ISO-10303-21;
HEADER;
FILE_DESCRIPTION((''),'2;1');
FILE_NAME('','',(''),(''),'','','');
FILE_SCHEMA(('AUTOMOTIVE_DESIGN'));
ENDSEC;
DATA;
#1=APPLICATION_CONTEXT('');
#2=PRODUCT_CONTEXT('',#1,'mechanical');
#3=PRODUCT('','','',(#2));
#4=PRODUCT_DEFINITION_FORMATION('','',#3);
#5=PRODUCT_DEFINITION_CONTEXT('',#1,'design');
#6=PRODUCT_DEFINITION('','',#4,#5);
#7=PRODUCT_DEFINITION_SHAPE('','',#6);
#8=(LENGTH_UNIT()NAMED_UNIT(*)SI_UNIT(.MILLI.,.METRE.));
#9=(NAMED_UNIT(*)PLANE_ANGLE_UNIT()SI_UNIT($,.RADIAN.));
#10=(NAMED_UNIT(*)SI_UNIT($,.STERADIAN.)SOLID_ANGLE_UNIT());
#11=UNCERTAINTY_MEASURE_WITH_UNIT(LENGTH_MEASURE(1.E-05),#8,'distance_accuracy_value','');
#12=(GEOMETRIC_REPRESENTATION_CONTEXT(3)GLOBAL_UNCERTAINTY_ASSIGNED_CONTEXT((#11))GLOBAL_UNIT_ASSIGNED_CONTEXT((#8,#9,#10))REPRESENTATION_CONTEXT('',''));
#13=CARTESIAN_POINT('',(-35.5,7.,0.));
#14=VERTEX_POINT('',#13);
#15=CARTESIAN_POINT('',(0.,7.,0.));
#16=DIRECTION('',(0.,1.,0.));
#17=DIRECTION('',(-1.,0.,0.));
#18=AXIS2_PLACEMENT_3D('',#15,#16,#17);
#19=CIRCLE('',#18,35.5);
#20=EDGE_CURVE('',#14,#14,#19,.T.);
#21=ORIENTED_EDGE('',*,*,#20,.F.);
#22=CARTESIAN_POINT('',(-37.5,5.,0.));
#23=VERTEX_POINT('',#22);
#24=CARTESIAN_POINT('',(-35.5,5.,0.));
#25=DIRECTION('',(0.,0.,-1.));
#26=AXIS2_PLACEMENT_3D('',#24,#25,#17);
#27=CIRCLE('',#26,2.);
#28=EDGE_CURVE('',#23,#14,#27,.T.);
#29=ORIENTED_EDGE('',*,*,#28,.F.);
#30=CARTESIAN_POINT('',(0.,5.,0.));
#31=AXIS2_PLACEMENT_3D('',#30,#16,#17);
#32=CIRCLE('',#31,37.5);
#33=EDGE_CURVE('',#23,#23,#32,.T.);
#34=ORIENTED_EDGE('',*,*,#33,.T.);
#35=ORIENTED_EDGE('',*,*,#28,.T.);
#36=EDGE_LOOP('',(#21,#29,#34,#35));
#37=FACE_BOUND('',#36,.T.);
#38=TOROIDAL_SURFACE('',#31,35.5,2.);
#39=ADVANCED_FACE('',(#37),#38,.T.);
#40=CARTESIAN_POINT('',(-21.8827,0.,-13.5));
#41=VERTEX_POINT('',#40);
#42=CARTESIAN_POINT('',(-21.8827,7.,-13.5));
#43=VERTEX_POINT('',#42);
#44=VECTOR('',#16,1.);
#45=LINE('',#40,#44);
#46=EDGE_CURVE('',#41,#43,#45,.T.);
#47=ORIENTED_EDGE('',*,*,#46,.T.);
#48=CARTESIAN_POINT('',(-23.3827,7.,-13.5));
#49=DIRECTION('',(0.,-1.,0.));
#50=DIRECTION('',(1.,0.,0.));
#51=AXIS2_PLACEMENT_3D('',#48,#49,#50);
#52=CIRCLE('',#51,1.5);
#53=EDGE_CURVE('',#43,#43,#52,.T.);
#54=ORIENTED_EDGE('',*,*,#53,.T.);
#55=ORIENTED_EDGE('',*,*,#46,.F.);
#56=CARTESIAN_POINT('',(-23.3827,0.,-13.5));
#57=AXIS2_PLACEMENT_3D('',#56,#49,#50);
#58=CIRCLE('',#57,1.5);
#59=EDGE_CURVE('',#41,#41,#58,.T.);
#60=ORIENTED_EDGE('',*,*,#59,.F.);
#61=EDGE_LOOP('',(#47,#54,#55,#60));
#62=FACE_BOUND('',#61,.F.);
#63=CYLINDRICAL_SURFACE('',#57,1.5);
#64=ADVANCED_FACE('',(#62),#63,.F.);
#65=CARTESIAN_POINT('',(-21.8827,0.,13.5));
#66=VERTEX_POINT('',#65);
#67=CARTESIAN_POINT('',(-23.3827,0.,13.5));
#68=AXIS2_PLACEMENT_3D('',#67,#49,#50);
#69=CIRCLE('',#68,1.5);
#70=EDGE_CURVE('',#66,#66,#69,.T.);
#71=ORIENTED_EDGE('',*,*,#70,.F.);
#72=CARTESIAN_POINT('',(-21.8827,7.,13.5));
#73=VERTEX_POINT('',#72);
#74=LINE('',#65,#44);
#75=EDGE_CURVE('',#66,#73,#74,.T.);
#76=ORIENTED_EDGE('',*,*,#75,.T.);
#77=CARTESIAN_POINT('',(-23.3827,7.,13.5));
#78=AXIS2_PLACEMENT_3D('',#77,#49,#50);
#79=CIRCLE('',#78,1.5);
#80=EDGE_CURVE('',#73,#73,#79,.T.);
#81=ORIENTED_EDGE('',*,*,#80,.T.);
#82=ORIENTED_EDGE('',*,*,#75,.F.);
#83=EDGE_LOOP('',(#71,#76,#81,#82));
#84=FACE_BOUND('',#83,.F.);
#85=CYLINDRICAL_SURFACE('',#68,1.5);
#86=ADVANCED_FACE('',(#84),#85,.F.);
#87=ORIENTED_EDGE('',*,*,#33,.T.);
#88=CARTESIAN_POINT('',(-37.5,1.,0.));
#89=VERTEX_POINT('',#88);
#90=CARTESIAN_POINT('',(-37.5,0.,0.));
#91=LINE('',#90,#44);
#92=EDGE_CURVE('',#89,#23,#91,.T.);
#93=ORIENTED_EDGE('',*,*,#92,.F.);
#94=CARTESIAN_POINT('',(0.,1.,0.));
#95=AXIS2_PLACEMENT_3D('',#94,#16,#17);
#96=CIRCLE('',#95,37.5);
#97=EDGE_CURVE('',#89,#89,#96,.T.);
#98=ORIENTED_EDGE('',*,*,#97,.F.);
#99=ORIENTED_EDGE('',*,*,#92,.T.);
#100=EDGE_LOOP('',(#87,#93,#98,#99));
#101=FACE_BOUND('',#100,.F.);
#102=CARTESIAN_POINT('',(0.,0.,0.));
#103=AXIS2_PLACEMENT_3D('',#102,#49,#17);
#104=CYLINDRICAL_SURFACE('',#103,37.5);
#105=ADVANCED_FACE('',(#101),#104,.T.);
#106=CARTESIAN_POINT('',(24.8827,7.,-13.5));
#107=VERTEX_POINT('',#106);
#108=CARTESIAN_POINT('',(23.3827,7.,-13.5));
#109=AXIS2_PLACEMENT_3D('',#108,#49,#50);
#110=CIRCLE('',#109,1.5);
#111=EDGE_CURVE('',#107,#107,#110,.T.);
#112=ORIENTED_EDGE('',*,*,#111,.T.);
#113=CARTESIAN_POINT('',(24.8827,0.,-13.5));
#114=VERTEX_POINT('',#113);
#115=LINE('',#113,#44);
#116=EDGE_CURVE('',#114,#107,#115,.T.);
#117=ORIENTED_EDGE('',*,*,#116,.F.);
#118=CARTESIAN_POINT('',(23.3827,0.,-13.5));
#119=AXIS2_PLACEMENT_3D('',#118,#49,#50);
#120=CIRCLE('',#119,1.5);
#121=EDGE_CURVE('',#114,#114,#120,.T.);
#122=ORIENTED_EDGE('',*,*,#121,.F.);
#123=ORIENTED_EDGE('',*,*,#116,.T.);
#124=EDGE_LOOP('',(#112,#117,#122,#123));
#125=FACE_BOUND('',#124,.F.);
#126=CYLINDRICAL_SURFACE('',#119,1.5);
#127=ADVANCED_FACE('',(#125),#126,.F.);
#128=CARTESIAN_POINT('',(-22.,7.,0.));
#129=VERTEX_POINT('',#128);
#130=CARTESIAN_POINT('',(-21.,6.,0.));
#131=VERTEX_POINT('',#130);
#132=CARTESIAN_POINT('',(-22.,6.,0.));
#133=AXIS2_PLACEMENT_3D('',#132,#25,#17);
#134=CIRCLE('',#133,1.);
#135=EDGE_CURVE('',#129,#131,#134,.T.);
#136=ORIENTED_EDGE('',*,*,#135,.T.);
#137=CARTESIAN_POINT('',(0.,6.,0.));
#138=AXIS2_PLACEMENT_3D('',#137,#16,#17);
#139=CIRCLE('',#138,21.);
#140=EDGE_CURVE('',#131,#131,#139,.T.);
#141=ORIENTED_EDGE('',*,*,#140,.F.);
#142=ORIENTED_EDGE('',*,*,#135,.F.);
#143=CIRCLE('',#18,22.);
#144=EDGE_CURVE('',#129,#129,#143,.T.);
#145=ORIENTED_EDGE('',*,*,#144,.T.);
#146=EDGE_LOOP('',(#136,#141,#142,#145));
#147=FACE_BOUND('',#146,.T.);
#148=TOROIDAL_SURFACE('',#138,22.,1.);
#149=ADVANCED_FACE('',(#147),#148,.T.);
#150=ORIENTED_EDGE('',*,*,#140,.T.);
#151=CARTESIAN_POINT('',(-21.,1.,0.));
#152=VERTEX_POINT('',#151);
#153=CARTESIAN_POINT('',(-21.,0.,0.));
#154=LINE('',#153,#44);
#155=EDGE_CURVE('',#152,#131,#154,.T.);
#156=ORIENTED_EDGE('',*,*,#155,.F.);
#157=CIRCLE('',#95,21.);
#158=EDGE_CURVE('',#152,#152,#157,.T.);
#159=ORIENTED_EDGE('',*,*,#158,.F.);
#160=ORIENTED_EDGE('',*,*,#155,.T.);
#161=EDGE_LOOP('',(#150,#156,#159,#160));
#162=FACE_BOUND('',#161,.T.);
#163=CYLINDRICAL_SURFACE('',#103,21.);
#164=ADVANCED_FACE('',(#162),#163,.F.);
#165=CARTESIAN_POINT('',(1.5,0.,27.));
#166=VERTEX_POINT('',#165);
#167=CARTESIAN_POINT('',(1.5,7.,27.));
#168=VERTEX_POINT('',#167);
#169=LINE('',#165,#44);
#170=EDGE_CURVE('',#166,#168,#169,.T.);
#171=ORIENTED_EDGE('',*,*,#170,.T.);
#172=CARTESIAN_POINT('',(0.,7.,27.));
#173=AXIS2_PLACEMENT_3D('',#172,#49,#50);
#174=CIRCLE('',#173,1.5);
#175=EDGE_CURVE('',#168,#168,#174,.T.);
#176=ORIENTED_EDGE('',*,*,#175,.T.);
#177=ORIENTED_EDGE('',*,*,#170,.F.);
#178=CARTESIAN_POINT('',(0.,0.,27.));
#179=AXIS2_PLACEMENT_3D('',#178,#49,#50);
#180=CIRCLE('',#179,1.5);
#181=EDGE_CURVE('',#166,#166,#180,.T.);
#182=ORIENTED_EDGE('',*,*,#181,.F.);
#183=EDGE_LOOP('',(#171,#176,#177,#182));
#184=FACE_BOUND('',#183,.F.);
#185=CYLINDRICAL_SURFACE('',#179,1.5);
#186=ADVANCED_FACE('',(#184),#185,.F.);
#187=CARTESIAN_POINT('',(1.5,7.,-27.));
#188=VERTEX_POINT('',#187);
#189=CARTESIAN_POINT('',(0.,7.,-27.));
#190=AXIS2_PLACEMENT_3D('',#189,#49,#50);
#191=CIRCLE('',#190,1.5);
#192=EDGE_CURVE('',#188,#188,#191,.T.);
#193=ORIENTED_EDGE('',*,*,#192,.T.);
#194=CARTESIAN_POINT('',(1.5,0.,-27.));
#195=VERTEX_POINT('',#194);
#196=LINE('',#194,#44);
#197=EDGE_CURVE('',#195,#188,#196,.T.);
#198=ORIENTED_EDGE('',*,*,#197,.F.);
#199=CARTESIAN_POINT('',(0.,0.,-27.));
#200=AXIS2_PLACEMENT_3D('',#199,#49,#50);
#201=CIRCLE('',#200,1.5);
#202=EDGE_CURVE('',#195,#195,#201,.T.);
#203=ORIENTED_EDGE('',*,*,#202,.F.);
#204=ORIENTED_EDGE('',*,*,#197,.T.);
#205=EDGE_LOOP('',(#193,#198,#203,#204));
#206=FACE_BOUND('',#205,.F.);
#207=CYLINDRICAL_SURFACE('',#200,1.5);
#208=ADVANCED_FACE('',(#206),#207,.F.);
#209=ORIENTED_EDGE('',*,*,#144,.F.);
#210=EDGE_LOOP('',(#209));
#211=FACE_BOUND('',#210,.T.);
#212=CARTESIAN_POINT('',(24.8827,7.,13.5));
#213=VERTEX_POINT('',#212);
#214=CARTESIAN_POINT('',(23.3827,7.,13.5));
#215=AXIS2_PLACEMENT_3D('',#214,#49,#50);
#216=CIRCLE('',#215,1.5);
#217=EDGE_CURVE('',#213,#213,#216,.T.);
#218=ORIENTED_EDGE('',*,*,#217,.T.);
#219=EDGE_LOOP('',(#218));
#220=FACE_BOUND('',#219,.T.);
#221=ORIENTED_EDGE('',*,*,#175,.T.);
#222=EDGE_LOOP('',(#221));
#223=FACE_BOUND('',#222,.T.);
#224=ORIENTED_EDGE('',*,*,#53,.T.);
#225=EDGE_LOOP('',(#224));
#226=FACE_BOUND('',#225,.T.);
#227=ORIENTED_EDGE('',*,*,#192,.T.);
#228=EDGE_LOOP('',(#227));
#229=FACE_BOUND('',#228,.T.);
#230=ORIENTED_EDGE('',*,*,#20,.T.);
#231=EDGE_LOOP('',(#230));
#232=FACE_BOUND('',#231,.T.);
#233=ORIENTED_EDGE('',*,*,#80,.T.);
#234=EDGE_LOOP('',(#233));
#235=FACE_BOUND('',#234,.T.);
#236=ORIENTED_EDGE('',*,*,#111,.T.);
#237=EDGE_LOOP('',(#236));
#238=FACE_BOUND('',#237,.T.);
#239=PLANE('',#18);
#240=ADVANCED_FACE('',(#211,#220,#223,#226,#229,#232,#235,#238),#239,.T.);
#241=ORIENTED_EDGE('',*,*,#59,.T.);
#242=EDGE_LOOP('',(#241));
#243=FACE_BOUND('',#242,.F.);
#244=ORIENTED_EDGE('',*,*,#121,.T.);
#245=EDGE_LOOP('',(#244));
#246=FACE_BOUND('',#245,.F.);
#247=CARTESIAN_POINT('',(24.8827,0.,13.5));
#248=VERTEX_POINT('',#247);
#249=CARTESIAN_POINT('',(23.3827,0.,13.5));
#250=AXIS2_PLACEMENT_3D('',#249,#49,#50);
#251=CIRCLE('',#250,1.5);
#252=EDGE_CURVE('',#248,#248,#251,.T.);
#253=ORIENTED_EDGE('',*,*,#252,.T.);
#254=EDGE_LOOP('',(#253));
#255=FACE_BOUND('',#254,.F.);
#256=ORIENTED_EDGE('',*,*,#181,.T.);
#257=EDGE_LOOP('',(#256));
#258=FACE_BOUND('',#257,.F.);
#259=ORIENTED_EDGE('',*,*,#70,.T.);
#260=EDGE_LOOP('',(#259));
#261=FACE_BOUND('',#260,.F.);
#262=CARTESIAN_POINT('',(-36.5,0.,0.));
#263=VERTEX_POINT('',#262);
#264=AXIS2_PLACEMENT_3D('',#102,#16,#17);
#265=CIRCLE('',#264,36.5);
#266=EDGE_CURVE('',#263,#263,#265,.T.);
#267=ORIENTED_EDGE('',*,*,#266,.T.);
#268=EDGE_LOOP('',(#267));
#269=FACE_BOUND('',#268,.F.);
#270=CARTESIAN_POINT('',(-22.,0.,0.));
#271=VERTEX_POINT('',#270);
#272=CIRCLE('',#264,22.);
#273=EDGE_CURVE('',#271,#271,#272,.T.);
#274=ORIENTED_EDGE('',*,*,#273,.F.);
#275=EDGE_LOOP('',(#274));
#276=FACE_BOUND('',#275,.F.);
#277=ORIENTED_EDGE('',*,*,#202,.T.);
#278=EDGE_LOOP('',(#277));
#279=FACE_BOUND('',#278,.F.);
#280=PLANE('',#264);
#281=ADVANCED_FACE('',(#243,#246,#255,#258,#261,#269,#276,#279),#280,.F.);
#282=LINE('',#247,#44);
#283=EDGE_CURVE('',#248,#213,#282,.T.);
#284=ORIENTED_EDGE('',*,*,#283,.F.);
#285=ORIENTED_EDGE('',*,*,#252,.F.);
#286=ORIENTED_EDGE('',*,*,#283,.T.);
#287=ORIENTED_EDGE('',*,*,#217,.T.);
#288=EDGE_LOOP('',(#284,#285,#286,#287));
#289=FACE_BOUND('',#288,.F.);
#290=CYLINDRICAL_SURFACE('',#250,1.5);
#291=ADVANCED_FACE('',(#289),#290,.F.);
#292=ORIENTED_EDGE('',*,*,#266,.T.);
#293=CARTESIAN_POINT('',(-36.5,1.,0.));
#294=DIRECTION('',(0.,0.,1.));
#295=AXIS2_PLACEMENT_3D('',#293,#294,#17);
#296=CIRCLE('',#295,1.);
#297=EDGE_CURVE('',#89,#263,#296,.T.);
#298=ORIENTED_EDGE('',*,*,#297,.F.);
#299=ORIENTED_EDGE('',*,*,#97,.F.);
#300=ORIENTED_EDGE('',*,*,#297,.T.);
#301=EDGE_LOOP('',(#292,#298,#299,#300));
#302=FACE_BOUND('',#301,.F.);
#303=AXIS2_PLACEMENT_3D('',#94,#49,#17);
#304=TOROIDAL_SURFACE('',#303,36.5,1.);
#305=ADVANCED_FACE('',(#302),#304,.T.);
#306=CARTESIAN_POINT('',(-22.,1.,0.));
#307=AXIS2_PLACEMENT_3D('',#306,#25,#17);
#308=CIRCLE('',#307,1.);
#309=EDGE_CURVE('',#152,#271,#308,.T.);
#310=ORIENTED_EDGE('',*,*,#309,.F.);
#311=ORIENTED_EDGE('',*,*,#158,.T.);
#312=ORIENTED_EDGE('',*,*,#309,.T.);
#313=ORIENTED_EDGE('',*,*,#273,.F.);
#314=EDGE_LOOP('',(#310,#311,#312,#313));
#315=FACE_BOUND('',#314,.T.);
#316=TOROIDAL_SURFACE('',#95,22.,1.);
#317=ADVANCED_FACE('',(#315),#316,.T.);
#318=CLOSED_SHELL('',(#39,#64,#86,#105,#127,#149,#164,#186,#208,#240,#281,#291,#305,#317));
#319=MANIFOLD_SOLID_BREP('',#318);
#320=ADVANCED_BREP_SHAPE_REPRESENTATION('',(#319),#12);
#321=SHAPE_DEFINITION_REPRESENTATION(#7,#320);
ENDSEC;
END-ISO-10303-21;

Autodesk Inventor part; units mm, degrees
ref_plane "YZ Plane" through (0, 0, 0) normal (1, 0, 0) x (0, 1, 0)
ref_plane "XZ Plane" through (0, 0, 0) normal (0, 1, 0) x (-1, 0, 0)
ref_plane "XY Plane" through (0, 0, 0) normal (0, 0, 1) x (1, 0, 0)
sketch "Esquisse1" plane through (0, 0, 0) normal (0, 1, 0) x (-1, 0, 0)
  circle A0 centre (0, 0) radius 37.5
  circle A1 centre (0, 0) radius 21
  dimension "d0" = 75
  dimension "d1" = 42
extrude "Extrusion1" add sketch "Esquisse1" along normal blind 7
fillet "Congé1" radius 2 1 edges at (37.5, 7, 0)
fillet "Congé2" radius 1 1 edges at (21, 7, 0)
fillet "Congé3" radius 1 2 edges at (37.5, 0, 0) (21, 0, 0)
sketch "Esquisse2" plane through (0, 0, 0) normal (0, -1, 0) x (1, 0, 0)
  circle A0 centre (0, 0) radius 36.5 projected
  circle A1 centre (0, 0) radius 22 projected
  line L0 (0, 0) -> (0, 36.5) construction
  circle A2 centre (0, 27) radius 1.5
  circle A3 centre (-23.3827, 13.5) radius 1.5
  circle A4 centre (-23.3827, -13.5) radius 1.5
  circle A5 centre (0, -27) radius 1.5
  circle A6 centre (23.3827, -13.5) radius 1.5
  circle A7 centre (23.3827, 13.5) radius 1.5
  dimension "d7" = 27
  dimension "d8" = 3
  dimension "d11" = 360
extrude "Extrusion2" cut sketch "Esquisse2" against normal through all contours A2 | A3 | A4 | A5 | A6 | A7
properties part number "encoder_wheel"
